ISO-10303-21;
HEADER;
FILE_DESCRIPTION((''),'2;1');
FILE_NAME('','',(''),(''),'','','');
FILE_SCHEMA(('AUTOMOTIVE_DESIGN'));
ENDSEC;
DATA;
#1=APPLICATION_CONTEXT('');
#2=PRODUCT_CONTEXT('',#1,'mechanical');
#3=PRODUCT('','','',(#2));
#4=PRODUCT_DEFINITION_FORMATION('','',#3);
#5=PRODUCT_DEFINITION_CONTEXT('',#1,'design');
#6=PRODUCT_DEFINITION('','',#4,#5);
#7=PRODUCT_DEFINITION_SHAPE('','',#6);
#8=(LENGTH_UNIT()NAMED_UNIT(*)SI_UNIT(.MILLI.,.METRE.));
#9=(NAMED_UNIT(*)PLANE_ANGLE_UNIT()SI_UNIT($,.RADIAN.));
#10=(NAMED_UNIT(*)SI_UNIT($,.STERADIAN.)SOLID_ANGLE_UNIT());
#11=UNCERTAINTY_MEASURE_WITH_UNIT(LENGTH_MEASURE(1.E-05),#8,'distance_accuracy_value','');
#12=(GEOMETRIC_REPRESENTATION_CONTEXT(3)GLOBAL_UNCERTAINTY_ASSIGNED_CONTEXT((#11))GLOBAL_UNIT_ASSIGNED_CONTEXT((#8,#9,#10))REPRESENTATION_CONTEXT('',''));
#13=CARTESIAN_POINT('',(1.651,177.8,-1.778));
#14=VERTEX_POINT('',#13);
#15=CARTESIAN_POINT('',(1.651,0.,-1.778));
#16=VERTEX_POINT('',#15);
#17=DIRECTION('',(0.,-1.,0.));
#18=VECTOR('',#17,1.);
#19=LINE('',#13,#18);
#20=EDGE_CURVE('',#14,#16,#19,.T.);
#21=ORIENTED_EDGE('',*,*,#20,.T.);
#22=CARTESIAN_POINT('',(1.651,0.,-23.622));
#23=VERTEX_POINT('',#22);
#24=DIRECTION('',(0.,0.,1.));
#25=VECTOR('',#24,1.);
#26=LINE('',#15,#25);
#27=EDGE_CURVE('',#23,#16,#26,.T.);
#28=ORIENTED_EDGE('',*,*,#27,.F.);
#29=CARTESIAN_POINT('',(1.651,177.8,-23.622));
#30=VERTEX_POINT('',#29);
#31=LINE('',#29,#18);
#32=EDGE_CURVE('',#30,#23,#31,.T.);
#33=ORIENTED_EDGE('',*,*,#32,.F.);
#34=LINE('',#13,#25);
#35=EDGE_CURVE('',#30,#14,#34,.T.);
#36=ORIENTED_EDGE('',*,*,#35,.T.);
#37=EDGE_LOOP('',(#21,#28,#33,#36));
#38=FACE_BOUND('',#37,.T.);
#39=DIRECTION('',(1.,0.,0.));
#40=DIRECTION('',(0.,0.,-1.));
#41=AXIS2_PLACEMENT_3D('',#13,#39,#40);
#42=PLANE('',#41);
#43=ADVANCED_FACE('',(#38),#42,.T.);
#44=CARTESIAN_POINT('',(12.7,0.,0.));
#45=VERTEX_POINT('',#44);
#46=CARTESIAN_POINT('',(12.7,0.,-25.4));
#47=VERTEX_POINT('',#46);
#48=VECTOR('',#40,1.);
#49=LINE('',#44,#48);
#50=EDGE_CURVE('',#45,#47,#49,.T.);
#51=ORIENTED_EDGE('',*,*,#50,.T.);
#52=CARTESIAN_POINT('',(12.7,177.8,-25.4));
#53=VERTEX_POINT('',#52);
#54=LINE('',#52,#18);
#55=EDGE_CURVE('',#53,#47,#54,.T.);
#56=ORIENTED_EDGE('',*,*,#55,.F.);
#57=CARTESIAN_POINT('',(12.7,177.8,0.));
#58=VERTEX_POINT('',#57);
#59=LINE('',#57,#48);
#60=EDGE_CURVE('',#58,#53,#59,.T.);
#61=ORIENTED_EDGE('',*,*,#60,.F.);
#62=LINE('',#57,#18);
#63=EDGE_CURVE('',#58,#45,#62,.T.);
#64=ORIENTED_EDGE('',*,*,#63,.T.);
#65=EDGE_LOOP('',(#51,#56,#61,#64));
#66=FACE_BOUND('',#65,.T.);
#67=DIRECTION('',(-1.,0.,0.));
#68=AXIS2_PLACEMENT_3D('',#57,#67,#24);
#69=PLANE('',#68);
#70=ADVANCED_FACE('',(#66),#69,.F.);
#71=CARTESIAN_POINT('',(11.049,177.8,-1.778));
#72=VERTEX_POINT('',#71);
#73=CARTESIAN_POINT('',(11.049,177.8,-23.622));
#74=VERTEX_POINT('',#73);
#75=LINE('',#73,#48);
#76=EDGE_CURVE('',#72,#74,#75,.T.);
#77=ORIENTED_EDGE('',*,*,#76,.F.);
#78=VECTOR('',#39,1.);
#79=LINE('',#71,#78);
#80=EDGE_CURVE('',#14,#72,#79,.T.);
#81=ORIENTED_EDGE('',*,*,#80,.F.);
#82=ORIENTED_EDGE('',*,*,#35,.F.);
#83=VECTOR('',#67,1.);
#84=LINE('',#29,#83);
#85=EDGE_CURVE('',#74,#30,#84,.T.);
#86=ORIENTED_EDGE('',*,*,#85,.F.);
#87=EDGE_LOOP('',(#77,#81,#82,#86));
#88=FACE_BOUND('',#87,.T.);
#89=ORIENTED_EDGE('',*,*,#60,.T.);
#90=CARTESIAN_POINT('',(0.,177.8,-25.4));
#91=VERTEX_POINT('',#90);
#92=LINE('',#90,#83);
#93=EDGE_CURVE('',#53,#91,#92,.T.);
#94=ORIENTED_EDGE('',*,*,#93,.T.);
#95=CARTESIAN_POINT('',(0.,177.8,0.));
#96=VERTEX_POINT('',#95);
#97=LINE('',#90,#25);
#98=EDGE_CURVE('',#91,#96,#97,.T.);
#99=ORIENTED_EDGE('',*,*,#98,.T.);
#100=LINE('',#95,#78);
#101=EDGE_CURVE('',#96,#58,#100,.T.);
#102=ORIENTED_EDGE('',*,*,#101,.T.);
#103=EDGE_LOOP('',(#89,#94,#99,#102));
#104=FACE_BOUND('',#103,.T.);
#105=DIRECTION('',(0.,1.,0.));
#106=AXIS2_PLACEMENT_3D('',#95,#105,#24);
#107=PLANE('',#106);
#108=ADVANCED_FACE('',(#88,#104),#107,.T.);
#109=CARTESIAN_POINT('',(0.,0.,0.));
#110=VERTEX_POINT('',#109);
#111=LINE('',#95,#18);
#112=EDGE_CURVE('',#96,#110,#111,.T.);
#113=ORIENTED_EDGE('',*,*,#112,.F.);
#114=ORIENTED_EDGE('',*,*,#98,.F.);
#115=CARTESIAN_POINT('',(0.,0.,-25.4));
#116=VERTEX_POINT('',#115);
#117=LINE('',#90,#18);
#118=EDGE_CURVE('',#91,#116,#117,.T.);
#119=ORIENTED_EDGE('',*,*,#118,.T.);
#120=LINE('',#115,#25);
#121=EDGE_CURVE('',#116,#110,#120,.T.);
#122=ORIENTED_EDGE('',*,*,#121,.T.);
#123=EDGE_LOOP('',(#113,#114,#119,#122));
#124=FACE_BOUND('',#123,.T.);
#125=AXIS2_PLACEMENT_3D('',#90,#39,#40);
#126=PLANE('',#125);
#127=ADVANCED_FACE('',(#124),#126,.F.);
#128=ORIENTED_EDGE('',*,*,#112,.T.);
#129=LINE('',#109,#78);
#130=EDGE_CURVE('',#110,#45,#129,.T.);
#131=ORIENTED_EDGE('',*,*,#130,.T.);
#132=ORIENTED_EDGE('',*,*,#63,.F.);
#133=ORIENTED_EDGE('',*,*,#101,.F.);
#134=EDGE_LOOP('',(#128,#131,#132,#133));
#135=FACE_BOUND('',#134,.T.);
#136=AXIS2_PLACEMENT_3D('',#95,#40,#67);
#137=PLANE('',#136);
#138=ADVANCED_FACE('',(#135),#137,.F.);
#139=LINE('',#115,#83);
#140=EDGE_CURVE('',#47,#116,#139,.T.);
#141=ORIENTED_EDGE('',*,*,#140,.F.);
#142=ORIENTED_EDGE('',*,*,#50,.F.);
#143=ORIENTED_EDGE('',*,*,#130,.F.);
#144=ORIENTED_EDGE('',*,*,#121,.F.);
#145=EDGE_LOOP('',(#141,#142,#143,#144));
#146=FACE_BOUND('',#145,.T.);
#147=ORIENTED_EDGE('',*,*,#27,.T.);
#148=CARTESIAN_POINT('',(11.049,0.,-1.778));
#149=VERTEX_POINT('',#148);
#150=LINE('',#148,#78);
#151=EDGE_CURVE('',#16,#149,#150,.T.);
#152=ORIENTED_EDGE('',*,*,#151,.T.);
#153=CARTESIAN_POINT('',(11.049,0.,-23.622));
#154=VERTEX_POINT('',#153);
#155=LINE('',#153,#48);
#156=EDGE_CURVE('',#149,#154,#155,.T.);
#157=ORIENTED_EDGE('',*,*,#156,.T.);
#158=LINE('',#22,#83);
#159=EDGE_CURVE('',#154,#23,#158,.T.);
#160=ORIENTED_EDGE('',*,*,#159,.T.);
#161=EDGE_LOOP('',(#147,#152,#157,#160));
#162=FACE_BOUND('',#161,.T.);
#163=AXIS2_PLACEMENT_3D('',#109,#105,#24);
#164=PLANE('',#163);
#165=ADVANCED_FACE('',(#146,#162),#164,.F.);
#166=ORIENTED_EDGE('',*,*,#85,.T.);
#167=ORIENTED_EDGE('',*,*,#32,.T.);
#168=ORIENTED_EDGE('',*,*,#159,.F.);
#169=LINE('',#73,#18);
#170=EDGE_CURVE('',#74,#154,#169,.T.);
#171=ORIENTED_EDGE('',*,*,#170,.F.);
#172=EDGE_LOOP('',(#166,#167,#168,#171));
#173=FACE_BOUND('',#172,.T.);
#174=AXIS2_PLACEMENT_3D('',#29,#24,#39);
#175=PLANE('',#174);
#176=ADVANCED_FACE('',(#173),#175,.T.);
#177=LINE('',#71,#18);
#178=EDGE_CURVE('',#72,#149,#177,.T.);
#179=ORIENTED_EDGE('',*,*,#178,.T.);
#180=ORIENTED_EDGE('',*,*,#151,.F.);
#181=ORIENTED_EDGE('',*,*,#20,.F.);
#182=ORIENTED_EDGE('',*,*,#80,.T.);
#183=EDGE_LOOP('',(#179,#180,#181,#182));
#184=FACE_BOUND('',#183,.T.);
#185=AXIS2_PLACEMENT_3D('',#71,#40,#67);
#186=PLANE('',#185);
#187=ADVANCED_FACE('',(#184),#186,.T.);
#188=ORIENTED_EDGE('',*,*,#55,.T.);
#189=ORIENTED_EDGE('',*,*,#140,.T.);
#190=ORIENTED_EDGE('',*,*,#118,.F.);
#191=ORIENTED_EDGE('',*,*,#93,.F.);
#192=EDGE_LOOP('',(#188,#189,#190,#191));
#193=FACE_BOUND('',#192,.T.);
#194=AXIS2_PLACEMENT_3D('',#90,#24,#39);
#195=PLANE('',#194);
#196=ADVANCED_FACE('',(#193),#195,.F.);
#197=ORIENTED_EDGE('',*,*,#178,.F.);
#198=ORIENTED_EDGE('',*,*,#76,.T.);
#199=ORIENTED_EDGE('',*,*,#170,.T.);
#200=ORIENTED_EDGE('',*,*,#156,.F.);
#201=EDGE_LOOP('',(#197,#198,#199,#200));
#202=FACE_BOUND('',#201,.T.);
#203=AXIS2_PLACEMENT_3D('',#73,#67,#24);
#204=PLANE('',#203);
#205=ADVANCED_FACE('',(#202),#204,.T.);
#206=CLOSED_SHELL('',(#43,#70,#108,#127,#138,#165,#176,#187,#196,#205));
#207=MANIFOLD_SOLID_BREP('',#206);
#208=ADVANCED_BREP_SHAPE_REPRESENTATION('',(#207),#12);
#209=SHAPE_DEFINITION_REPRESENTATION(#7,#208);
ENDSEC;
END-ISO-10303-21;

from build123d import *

# Parameters (mm, degrees)
SKETCH1_W           = 12.7
SKETCH1_H           = 25.4
SKETCH1_W_2         = 9.398
SKETCH1_H_2         = 21.844
BOSS_EXTRUDE1_DEPTH = 177.8


with BuildPart() as part:
    # Sketch1 → Boss-Extrude1 (new body)
    with BuildSketch(Plane(origin=(0, 0, 0), x_dir=(1, 0, 0), z_dir=(0, 1, 0))):
        with Locations((6.35, 12.7)):
            Rectangle(SKETCH1_W, SKETCH1_H)
        with Locations((6.35, 12.7)):
            Rectangle(SKETCH1_W_2, SKETCH1_H_2, mode=Mode.SUBTRACT)
    extrude(amount=BOSS_EXTRUDE1_DEPTH)


solid = part.part
